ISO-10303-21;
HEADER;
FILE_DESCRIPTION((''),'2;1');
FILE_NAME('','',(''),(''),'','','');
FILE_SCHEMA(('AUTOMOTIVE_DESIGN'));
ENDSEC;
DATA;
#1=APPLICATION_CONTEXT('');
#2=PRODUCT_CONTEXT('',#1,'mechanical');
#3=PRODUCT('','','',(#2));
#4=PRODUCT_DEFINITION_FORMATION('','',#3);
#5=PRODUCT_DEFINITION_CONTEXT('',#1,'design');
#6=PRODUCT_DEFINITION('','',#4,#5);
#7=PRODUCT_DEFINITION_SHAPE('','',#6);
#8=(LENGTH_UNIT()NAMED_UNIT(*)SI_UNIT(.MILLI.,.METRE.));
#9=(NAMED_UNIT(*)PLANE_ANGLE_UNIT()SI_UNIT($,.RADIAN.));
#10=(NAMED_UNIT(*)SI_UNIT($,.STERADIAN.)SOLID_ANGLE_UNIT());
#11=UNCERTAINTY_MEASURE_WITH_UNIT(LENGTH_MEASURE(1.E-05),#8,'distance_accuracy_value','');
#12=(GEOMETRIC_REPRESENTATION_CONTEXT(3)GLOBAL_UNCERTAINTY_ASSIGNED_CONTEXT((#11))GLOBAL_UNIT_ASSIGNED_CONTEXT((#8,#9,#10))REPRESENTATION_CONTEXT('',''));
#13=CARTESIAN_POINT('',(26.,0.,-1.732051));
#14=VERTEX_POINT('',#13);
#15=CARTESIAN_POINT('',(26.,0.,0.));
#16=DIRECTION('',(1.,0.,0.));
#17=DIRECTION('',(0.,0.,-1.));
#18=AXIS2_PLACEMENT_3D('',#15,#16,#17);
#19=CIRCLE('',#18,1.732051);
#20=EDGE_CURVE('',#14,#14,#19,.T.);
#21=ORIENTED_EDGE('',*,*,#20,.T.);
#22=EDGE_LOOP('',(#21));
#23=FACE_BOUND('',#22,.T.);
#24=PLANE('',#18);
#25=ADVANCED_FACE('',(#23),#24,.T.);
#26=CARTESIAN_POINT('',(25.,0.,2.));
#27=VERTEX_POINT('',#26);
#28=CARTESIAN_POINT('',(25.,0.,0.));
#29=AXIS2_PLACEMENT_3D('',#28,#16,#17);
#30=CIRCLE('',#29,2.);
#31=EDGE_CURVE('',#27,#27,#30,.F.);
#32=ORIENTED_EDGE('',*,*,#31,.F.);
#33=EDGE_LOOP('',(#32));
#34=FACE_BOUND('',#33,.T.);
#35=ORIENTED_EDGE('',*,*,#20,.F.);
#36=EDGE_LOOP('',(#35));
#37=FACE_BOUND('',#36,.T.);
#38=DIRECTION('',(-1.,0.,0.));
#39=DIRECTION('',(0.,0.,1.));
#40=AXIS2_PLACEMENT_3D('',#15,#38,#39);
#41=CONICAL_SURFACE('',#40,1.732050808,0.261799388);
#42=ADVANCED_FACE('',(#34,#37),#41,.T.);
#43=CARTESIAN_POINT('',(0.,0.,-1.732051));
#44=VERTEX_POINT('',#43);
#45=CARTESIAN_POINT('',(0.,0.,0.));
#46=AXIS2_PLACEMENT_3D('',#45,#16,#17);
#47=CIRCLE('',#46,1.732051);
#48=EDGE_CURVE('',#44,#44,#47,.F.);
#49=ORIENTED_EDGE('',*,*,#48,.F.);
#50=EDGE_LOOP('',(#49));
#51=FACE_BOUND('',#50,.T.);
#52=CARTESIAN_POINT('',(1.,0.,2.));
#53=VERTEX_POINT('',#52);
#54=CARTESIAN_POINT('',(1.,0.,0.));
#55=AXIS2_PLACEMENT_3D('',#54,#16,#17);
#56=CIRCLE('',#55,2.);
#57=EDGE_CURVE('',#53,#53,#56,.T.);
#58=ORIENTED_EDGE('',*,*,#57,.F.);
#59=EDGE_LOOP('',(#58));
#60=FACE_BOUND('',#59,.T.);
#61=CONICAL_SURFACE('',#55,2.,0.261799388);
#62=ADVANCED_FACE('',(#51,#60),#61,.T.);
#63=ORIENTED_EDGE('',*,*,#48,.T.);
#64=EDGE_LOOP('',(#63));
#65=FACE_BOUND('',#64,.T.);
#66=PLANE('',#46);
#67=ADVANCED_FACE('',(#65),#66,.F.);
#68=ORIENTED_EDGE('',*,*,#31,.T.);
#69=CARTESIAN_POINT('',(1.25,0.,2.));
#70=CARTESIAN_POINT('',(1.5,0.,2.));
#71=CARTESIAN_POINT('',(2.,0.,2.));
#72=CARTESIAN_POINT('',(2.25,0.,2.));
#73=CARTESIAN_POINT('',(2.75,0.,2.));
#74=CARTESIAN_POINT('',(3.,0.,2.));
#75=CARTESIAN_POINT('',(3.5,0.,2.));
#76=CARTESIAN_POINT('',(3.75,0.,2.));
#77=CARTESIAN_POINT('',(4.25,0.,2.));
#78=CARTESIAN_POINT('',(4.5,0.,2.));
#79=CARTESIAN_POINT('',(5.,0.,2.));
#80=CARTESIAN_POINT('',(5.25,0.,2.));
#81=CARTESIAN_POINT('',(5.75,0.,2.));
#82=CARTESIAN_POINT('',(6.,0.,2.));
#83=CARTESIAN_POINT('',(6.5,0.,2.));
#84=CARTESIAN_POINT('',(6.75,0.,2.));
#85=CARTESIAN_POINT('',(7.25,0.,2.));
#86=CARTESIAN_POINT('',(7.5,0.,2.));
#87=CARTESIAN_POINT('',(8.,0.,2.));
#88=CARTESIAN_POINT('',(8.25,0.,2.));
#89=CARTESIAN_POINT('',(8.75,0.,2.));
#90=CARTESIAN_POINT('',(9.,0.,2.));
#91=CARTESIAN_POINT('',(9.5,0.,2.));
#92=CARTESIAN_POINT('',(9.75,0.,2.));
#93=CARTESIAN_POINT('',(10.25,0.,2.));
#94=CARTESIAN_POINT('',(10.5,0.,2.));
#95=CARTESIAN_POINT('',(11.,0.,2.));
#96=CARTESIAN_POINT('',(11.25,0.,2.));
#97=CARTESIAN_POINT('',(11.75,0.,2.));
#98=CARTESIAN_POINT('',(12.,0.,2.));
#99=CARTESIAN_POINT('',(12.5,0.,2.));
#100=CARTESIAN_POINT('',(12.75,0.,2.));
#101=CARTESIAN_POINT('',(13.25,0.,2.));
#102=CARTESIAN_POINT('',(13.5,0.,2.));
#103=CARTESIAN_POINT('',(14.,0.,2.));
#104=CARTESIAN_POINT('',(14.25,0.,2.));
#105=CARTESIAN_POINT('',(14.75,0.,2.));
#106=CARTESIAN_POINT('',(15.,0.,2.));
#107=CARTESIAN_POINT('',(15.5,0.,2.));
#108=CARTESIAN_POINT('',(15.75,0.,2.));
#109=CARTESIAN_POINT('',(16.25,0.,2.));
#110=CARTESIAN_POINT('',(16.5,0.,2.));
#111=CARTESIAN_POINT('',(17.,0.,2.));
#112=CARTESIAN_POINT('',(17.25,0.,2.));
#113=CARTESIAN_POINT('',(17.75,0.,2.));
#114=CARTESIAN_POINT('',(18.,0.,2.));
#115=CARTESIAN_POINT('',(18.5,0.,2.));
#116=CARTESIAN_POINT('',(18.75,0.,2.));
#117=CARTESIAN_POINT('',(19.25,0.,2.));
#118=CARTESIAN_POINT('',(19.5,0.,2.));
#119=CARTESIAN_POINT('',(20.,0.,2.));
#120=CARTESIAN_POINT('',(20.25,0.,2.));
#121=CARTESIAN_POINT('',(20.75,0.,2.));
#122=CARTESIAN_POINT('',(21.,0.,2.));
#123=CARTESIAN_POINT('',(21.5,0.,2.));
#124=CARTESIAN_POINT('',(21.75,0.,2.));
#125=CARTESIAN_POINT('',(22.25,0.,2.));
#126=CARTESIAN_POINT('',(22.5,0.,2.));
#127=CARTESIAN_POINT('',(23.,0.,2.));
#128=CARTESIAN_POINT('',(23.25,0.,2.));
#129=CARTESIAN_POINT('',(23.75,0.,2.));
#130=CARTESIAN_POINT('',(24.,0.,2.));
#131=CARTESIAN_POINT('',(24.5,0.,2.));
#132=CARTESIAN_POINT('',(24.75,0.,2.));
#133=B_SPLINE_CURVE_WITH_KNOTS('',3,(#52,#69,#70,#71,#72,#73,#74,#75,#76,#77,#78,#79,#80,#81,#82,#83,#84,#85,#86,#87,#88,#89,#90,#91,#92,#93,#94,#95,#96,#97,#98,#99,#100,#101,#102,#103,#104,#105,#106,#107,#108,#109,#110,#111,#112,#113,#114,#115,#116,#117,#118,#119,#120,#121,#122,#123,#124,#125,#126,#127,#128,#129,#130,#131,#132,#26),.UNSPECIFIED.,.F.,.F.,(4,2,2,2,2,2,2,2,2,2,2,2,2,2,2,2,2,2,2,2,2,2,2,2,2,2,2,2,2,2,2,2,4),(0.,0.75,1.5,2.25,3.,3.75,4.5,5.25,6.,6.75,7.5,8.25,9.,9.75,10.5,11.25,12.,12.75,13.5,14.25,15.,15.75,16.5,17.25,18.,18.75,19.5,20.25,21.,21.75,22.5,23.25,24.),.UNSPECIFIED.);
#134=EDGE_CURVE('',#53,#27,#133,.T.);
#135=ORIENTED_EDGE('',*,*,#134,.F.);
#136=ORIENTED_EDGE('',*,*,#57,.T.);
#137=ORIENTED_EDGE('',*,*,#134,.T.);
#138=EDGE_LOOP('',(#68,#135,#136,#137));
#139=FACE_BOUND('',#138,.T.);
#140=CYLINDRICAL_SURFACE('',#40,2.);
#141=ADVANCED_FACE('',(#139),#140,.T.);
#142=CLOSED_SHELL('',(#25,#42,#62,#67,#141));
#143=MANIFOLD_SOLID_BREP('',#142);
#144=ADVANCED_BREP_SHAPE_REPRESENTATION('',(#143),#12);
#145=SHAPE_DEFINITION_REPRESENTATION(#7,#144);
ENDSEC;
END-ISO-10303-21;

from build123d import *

# Parameters (mm, degrees)
SKETCH_1_R      = 2
EXTRUDE_1_DEPTH = 26
CHAMFER_1_SIZE  = 1
CHAMFER_1_SIZE2 = 0.267949192


with BuildPart() as part:
    # 草图1 → 凸台-拉伸1 (new body)
    with BuildSketch(Plane(origin=(0, 0, 0), x_dir=(0, 0, -1), z_dir=(1, 0, 0))):
        with Locations(Location((0, 0, 0), (0, 0, 180))):
            Circle(SKETCH_1_R)
    extrude(amount=EXTRUDE_1_DEPTH)

    # 倒角1
    chamfer_1_edges = [part.edges().sort_by_distance(p)[0] for p in [
        (0, 0, -2),
        (26, 0, -2),
    ]]
    chamfer_1_side = [part.faces().sort_by_distance(p)[0] for p in [
        (13, 0, -2),
    ]]
    chamfer(chamfer_1_edges, length=CHAMFER_1_SIZE, length2=CHAMFER_1_SIZE2, reference=chamfer_1_side[0])


solid = part.part
